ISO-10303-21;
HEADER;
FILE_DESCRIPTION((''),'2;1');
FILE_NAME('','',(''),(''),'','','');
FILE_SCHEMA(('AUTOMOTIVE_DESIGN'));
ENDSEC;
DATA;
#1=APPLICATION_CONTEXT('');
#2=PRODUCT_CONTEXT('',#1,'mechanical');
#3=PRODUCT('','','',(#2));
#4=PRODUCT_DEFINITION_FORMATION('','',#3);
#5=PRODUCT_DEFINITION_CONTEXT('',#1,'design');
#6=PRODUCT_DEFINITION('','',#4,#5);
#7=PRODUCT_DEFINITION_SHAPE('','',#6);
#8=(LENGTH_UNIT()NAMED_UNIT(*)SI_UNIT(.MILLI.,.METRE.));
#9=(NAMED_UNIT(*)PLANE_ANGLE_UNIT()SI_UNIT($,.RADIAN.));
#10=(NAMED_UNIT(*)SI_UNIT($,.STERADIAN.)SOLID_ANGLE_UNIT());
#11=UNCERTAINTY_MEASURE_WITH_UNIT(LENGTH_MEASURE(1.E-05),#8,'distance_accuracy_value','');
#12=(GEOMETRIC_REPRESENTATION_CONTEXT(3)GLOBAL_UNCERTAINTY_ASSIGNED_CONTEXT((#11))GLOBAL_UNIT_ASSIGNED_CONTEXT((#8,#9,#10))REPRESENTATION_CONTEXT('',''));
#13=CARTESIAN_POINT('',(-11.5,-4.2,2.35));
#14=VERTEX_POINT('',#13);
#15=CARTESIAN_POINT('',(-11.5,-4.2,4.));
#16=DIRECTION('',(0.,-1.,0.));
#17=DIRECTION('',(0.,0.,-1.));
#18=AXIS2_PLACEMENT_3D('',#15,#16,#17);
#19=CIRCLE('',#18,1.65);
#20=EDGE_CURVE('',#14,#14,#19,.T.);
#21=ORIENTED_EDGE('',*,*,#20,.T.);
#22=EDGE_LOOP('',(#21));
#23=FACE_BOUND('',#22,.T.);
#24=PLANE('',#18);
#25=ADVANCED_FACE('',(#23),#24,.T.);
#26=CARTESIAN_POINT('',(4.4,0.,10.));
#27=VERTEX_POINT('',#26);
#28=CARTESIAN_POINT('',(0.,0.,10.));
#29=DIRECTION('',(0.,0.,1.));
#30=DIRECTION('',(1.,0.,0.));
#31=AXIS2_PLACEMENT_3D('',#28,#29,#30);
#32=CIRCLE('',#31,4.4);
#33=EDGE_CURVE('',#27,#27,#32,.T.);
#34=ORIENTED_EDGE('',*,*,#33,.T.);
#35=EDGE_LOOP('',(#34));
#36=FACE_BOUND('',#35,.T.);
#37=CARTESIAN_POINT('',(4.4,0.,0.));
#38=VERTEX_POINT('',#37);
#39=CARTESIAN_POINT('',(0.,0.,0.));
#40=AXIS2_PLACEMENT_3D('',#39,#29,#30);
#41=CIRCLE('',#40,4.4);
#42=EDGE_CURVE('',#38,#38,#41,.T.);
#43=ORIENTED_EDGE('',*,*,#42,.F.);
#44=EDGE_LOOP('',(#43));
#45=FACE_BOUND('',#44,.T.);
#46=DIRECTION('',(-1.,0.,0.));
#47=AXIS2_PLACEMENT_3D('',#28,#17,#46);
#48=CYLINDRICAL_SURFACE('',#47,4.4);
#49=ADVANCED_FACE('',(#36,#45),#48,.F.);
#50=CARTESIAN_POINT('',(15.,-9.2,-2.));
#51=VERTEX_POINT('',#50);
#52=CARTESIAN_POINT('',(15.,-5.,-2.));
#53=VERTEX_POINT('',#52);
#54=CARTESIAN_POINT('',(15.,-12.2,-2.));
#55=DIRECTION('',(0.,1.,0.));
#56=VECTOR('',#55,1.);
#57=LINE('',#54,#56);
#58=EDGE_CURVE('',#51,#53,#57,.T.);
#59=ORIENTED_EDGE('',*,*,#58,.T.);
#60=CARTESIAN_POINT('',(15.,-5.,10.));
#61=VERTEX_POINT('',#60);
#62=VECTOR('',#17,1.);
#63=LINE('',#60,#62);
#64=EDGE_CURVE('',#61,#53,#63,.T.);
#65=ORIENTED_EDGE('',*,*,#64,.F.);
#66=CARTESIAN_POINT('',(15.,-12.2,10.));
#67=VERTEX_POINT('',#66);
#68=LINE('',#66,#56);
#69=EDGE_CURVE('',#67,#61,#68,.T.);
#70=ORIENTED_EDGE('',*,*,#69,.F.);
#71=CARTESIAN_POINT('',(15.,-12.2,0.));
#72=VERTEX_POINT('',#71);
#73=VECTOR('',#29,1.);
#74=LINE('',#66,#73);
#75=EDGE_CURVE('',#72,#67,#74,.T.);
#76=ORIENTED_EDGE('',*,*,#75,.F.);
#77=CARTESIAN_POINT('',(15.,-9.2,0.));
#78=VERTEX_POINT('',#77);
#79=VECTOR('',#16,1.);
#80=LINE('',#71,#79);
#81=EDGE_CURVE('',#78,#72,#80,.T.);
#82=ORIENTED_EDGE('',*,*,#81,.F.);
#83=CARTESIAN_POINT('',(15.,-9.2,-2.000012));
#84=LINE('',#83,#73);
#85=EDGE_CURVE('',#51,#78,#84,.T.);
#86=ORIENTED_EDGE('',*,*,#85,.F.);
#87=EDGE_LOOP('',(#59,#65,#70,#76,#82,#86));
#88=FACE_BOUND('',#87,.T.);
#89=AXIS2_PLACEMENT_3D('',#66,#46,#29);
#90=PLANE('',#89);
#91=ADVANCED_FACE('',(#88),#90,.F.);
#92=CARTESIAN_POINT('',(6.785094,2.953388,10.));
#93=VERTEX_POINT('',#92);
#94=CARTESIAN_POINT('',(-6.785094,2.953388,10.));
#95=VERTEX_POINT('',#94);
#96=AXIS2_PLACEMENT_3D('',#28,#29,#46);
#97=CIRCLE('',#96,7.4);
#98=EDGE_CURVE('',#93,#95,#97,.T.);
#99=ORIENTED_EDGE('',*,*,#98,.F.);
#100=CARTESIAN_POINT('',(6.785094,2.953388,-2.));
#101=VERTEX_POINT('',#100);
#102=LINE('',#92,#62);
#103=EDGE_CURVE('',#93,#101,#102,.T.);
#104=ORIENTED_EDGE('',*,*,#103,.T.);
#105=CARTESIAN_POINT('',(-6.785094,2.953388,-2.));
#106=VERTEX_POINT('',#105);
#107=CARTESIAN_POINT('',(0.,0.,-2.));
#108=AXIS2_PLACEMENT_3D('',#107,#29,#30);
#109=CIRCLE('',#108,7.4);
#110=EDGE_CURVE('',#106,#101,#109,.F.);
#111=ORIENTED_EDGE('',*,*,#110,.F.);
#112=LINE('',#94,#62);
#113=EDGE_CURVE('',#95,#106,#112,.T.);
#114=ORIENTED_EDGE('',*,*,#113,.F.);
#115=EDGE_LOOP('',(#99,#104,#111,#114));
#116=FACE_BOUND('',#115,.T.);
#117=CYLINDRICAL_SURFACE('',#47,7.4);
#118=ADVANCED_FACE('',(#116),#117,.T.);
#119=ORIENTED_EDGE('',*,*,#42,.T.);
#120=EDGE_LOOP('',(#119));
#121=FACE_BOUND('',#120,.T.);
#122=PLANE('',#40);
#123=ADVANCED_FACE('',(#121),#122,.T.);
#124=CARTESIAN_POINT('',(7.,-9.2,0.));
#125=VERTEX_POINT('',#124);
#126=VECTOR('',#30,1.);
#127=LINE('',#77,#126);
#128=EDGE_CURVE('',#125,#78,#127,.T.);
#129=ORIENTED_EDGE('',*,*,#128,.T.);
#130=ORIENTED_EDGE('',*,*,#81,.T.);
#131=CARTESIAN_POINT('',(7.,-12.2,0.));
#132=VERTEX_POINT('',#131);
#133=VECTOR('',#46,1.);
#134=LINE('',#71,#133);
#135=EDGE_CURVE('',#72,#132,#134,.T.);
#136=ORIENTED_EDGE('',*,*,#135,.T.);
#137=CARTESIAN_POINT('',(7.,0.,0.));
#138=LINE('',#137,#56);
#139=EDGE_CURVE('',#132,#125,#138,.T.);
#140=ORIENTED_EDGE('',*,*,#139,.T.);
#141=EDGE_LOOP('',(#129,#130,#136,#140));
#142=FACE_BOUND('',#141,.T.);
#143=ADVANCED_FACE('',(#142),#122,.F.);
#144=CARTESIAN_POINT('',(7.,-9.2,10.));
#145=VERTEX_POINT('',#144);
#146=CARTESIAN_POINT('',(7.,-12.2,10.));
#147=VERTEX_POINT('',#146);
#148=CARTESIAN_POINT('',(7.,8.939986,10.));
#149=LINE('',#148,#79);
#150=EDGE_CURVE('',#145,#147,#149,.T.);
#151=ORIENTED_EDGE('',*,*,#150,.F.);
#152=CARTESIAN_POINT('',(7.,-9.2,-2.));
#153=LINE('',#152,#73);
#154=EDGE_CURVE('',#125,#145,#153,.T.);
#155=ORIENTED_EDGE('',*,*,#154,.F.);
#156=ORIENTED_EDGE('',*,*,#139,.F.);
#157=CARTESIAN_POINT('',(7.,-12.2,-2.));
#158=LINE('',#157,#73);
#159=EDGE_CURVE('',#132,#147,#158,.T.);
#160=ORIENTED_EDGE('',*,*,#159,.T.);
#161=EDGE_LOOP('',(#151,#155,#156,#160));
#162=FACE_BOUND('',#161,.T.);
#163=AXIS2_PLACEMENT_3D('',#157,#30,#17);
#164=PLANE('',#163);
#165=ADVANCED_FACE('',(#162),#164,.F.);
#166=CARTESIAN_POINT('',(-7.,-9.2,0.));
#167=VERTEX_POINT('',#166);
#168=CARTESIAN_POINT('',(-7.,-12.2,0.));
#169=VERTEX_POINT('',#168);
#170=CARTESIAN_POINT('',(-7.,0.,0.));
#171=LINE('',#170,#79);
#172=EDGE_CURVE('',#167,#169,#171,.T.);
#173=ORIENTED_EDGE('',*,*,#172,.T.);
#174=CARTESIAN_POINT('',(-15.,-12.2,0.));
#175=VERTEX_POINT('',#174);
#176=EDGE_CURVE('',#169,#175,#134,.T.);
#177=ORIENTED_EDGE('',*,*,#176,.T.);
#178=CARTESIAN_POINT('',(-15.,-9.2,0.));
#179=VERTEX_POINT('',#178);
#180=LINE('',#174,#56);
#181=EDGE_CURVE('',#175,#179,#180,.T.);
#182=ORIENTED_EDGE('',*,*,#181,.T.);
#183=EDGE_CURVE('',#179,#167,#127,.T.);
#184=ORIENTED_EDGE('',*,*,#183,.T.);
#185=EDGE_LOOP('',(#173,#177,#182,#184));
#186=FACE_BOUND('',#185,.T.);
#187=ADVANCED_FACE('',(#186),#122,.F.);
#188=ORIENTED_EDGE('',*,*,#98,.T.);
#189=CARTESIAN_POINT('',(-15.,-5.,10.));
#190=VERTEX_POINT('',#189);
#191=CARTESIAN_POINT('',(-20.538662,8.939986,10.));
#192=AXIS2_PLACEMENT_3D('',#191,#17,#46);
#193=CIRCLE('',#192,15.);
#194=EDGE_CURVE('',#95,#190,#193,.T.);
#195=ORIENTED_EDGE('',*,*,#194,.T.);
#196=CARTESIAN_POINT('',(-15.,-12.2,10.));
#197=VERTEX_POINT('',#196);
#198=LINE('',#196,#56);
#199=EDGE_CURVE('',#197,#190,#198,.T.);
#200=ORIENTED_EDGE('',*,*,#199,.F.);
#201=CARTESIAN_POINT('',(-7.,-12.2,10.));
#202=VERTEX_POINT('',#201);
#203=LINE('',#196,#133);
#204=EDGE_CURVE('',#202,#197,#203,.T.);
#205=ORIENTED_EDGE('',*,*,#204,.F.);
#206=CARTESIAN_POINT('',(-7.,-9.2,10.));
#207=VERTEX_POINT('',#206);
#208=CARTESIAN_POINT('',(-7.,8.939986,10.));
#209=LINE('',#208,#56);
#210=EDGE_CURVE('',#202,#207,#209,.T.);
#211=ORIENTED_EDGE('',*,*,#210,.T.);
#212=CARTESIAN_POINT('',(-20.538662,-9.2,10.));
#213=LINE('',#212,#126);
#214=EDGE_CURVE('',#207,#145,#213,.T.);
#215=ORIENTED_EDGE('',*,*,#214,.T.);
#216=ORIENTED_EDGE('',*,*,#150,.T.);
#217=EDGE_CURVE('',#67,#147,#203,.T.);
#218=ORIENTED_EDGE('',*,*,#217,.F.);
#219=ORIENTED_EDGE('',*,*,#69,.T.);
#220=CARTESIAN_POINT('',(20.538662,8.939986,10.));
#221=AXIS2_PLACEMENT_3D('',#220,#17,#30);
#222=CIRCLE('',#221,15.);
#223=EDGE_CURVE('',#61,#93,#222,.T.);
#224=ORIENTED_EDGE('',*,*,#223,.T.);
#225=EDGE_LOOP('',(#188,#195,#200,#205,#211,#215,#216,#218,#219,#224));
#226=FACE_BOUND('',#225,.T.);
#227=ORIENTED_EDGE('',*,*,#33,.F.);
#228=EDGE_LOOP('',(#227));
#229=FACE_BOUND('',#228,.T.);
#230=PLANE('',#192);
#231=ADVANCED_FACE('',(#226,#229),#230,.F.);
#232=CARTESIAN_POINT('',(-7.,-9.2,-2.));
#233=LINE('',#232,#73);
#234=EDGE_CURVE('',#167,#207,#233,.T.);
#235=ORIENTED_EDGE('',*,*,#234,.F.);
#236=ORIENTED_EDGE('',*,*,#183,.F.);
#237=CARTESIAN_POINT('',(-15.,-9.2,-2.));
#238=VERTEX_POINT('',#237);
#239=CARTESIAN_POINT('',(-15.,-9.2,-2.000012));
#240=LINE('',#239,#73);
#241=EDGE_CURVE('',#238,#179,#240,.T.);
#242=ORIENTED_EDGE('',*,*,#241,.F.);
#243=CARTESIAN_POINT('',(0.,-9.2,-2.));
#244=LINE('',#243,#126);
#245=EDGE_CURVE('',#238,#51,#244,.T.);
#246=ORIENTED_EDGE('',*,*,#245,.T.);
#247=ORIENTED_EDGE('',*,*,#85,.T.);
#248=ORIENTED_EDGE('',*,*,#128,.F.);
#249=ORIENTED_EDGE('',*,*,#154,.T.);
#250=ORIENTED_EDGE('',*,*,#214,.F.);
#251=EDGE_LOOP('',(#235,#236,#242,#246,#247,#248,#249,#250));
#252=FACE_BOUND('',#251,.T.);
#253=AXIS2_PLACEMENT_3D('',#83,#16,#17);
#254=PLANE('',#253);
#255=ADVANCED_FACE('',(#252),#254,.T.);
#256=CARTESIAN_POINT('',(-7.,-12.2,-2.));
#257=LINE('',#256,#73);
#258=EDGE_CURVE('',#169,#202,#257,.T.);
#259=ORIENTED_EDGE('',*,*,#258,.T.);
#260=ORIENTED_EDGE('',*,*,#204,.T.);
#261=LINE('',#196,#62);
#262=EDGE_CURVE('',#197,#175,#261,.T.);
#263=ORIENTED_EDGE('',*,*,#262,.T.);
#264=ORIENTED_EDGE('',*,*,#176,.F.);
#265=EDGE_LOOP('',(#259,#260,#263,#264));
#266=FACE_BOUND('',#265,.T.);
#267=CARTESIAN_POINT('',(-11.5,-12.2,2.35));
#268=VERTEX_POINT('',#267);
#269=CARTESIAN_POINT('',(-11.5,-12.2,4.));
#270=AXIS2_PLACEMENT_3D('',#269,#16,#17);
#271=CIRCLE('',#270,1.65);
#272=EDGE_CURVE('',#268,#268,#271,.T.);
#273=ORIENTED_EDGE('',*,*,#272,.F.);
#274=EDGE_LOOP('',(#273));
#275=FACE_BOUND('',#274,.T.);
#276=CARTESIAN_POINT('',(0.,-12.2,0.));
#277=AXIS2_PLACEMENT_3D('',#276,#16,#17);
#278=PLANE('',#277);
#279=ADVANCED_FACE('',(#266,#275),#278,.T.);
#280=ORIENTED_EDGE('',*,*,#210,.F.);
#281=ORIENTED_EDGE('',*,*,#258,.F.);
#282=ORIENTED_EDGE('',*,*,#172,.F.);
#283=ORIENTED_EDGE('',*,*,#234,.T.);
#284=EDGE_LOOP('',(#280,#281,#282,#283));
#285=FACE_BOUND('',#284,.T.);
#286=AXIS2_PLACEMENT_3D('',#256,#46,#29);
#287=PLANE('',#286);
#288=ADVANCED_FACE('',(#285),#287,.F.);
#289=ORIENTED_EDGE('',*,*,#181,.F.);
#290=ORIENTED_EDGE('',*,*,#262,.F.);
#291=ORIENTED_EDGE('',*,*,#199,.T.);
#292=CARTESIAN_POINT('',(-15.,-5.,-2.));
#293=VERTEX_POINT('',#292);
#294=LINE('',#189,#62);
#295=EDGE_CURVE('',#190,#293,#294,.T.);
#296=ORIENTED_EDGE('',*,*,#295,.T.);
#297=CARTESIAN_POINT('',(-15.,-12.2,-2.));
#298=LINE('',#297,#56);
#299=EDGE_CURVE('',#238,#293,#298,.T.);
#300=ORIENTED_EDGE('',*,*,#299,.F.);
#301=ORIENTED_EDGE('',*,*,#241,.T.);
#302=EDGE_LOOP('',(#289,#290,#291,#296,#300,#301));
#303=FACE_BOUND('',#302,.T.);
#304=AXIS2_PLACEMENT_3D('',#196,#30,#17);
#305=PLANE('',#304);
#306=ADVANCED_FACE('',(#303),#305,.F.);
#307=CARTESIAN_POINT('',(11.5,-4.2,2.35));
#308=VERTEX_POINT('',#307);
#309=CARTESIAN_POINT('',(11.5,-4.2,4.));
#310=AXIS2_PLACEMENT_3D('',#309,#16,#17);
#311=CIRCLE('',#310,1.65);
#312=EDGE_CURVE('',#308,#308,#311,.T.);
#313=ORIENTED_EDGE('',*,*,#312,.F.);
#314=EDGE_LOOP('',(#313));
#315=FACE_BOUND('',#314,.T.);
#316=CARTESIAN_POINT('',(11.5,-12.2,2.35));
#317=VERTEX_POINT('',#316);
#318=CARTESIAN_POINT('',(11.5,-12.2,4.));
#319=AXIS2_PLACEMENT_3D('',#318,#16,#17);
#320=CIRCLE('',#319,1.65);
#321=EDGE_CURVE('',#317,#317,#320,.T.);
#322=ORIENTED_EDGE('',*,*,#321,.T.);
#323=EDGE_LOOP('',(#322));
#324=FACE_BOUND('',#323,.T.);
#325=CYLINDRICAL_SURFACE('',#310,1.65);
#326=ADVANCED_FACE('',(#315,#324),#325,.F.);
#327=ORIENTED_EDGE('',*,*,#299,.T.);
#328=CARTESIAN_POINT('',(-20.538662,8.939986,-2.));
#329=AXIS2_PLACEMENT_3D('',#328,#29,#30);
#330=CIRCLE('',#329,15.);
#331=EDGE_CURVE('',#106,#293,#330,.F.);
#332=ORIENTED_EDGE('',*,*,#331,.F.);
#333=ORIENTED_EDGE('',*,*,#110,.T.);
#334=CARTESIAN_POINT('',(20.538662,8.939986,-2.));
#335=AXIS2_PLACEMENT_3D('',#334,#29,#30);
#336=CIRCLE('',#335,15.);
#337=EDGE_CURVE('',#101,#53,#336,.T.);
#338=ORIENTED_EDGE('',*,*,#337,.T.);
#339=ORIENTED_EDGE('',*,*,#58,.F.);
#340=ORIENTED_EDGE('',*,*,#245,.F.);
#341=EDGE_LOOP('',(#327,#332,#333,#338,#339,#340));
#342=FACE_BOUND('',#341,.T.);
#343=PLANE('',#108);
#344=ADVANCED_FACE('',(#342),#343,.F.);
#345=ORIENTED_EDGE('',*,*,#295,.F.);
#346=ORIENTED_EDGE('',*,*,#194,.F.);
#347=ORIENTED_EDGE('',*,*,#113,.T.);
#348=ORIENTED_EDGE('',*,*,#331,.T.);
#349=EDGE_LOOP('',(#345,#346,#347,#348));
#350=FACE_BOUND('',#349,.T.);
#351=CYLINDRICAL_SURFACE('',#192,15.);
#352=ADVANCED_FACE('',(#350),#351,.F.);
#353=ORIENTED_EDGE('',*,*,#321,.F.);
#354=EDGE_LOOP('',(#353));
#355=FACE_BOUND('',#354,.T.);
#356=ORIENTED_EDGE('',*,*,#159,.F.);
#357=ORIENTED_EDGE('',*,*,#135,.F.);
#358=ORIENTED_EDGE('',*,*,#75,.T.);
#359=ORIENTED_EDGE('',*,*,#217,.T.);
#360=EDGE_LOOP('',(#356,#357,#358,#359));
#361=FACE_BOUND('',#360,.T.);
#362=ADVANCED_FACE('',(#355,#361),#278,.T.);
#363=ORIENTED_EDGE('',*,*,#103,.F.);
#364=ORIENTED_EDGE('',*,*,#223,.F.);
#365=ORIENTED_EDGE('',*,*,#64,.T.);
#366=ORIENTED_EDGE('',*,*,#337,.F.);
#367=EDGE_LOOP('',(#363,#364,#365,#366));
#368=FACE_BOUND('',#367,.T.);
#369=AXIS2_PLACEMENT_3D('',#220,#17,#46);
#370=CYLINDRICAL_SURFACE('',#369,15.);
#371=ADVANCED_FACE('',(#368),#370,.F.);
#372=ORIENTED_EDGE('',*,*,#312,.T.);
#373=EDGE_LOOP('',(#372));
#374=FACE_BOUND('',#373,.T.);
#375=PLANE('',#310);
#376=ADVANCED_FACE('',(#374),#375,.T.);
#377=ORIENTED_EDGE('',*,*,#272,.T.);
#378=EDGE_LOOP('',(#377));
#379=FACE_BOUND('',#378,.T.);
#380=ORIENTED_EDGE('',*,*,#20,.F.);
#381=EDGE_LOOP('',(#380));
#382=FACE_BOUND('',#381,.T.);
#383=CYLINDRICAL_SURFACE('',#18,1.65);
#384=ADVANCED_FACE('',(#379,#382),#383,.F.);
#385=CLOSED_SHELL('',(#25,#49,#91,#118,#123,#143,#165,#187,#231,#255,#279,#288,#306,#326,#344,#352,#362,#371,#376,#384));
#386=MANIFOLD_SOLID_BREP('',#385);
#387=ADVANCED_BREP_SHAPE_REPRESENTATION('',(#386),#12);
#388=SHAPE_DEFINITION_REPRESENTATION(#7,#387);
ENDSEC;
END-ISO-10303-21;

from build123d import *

# Parameters (mm, degrees)
SKETCH1_R               = 4.4
BOSS_EXTRUDE1_DEPTH     = 10
SKETCH1_2_R             = 4.4
BOSS_EXTRUDE2_DEPTH     = 2
SKETCH3_W               = 30
SKETCH3_H               = 12
BOSS_EXTRUDE4_DEPTH     = 7.2
CUT_EXTRUDE2_START      = -12.2
SKETCH2_R               = 1.65
CUT_EXTRUDE2_DEPTH      = 8
SKETCH5_W               = 30
SKETCH5_H               = 3
CUT_EXTRUDE3_DEPTH      = 23.756098084
CUT_EXTRUDE3_DEPTH_BACK = 2
SKETCH6_W               = 14
SKETCH6_H               = 3
CUT_EXTRUDE4_DEPTH      = 23.756098084
CUT_EXTRUDE4_DEPTH_BACK = 23.756098084


with BuildPart() as part:
    # Sketch1 → Boss-Extrude1 (new body)
    with BuildSketch(Plane.XY):
        with BuildLine():
            Line((-15, -5), (15, -5))
            ThreePointArc((15, -5), (10.104984149, -1.836764635), (6.785093744, 2.953388374))
            ThreePointArc((6.785093744, 2.953388374), (0, 7.4), (-6.785093744, 2.953388374))
            ThreePointArc((-6.785093744, 2.953388374), (-10.104984149, -1.836764635), (-15, -5))
        make_face()
        Circle(SKETCH1_R, mode=Mode.SUBTRACT)
    extrude(amount=BOSS_EXTRUDE1_DEPTH)

    # Sketch1<2> → Boss-Extrude2 (add)
    with BuildSketch(Plane.XY):
        with BuildLine():
            ThreePointArc((-6.785093744, 2.953388374), (0, 7.4), (6.785093744, 2.953388374))
            ThreePointArc((6.785093744, 2.953388374), (10.104984149, -1.836764635), (15, -5))
            Line((15, -5), (-15, -5))
            ThreePointArc((-15, -5), (-10.104984149, -1.836764635), (-6.785093744, 2.953388374))
        make_face()
        Circle(SKETCH1_2_R, mode=Mode.SUBTRACT)
        Circle(SKETCH1_2_R)
    extrude(amount=-BOSS_EXTRUDE2_DEPTH)

    # Sketch3 → Boss-Extrude4 (add)
    with BuildSketch(Plane.XZ.offset(5)):
        with Locations((0, 4)):
            Rectangle(SKETCH3_W, SKETCH3_H)
    extrude(amount=BOSS_EXTRUDE4_DEPTH)

    # Sketch2 → Cut-Extrude2 (cut)
    with BuildSketch(Plane(origin=(0, 0, 0), x_dir=(1, 0, 0), z_dir=(0, 1, 0)).offset(CUT_EXTRUDE2_START)):
        with Locations(Location((-11.5, -4, 0), (0, 0, 90))):
            Circle(SKETCH2_R)
        with Locations(Location((11.5, -4, 0), (0, 0, 90))):
            Circle(SKETCH2_R)
    extrude(amount=CUT_EXTRUDE2_DEPTH, mode=Mode.SUBTRACT)

    # Sketch5 → Cut-Extrude3 (cut, two sides)
    with BuildSketch(Plane(origin=(0, 0, -2), x_dir=(-1, 0, 0), z_dir=(0, 0, -1))) as cut_extrude3_sk:
        with Locations((0, -10.7)):
            Rectangle(SKETCH5_W, SKETCH5_H)
    extrude(amount=CUT_EXTRUDE3_DEPTH, mode=Mode.SUBTRACT)
    extrude(cut_extrude3_sk.sketch, amount=-CUT_EXTRUDE3_DEPTH_BACK, mode=Mode.SUBTRACT)

    # Sketch6 → Cut-Extrude4 (cut, two sides)
    with BuildSketch(Plane.XY.offset(10)) as cut_extrude4_sk:
        with Locations((0, -10.7)):
            Rectangle(SKETCH6_W, SKETCH6_H)
    extrude(amount=CUT_EXTRUDE4_DEPTH, mode=Mode.SUBTRACT)
    extrude(cut_extrude4_sk.sketch, amount=-CUT_EXTRUDE4_DEPTH_BACK, mode=Mode.SUBTRACT)


solid = part.part
